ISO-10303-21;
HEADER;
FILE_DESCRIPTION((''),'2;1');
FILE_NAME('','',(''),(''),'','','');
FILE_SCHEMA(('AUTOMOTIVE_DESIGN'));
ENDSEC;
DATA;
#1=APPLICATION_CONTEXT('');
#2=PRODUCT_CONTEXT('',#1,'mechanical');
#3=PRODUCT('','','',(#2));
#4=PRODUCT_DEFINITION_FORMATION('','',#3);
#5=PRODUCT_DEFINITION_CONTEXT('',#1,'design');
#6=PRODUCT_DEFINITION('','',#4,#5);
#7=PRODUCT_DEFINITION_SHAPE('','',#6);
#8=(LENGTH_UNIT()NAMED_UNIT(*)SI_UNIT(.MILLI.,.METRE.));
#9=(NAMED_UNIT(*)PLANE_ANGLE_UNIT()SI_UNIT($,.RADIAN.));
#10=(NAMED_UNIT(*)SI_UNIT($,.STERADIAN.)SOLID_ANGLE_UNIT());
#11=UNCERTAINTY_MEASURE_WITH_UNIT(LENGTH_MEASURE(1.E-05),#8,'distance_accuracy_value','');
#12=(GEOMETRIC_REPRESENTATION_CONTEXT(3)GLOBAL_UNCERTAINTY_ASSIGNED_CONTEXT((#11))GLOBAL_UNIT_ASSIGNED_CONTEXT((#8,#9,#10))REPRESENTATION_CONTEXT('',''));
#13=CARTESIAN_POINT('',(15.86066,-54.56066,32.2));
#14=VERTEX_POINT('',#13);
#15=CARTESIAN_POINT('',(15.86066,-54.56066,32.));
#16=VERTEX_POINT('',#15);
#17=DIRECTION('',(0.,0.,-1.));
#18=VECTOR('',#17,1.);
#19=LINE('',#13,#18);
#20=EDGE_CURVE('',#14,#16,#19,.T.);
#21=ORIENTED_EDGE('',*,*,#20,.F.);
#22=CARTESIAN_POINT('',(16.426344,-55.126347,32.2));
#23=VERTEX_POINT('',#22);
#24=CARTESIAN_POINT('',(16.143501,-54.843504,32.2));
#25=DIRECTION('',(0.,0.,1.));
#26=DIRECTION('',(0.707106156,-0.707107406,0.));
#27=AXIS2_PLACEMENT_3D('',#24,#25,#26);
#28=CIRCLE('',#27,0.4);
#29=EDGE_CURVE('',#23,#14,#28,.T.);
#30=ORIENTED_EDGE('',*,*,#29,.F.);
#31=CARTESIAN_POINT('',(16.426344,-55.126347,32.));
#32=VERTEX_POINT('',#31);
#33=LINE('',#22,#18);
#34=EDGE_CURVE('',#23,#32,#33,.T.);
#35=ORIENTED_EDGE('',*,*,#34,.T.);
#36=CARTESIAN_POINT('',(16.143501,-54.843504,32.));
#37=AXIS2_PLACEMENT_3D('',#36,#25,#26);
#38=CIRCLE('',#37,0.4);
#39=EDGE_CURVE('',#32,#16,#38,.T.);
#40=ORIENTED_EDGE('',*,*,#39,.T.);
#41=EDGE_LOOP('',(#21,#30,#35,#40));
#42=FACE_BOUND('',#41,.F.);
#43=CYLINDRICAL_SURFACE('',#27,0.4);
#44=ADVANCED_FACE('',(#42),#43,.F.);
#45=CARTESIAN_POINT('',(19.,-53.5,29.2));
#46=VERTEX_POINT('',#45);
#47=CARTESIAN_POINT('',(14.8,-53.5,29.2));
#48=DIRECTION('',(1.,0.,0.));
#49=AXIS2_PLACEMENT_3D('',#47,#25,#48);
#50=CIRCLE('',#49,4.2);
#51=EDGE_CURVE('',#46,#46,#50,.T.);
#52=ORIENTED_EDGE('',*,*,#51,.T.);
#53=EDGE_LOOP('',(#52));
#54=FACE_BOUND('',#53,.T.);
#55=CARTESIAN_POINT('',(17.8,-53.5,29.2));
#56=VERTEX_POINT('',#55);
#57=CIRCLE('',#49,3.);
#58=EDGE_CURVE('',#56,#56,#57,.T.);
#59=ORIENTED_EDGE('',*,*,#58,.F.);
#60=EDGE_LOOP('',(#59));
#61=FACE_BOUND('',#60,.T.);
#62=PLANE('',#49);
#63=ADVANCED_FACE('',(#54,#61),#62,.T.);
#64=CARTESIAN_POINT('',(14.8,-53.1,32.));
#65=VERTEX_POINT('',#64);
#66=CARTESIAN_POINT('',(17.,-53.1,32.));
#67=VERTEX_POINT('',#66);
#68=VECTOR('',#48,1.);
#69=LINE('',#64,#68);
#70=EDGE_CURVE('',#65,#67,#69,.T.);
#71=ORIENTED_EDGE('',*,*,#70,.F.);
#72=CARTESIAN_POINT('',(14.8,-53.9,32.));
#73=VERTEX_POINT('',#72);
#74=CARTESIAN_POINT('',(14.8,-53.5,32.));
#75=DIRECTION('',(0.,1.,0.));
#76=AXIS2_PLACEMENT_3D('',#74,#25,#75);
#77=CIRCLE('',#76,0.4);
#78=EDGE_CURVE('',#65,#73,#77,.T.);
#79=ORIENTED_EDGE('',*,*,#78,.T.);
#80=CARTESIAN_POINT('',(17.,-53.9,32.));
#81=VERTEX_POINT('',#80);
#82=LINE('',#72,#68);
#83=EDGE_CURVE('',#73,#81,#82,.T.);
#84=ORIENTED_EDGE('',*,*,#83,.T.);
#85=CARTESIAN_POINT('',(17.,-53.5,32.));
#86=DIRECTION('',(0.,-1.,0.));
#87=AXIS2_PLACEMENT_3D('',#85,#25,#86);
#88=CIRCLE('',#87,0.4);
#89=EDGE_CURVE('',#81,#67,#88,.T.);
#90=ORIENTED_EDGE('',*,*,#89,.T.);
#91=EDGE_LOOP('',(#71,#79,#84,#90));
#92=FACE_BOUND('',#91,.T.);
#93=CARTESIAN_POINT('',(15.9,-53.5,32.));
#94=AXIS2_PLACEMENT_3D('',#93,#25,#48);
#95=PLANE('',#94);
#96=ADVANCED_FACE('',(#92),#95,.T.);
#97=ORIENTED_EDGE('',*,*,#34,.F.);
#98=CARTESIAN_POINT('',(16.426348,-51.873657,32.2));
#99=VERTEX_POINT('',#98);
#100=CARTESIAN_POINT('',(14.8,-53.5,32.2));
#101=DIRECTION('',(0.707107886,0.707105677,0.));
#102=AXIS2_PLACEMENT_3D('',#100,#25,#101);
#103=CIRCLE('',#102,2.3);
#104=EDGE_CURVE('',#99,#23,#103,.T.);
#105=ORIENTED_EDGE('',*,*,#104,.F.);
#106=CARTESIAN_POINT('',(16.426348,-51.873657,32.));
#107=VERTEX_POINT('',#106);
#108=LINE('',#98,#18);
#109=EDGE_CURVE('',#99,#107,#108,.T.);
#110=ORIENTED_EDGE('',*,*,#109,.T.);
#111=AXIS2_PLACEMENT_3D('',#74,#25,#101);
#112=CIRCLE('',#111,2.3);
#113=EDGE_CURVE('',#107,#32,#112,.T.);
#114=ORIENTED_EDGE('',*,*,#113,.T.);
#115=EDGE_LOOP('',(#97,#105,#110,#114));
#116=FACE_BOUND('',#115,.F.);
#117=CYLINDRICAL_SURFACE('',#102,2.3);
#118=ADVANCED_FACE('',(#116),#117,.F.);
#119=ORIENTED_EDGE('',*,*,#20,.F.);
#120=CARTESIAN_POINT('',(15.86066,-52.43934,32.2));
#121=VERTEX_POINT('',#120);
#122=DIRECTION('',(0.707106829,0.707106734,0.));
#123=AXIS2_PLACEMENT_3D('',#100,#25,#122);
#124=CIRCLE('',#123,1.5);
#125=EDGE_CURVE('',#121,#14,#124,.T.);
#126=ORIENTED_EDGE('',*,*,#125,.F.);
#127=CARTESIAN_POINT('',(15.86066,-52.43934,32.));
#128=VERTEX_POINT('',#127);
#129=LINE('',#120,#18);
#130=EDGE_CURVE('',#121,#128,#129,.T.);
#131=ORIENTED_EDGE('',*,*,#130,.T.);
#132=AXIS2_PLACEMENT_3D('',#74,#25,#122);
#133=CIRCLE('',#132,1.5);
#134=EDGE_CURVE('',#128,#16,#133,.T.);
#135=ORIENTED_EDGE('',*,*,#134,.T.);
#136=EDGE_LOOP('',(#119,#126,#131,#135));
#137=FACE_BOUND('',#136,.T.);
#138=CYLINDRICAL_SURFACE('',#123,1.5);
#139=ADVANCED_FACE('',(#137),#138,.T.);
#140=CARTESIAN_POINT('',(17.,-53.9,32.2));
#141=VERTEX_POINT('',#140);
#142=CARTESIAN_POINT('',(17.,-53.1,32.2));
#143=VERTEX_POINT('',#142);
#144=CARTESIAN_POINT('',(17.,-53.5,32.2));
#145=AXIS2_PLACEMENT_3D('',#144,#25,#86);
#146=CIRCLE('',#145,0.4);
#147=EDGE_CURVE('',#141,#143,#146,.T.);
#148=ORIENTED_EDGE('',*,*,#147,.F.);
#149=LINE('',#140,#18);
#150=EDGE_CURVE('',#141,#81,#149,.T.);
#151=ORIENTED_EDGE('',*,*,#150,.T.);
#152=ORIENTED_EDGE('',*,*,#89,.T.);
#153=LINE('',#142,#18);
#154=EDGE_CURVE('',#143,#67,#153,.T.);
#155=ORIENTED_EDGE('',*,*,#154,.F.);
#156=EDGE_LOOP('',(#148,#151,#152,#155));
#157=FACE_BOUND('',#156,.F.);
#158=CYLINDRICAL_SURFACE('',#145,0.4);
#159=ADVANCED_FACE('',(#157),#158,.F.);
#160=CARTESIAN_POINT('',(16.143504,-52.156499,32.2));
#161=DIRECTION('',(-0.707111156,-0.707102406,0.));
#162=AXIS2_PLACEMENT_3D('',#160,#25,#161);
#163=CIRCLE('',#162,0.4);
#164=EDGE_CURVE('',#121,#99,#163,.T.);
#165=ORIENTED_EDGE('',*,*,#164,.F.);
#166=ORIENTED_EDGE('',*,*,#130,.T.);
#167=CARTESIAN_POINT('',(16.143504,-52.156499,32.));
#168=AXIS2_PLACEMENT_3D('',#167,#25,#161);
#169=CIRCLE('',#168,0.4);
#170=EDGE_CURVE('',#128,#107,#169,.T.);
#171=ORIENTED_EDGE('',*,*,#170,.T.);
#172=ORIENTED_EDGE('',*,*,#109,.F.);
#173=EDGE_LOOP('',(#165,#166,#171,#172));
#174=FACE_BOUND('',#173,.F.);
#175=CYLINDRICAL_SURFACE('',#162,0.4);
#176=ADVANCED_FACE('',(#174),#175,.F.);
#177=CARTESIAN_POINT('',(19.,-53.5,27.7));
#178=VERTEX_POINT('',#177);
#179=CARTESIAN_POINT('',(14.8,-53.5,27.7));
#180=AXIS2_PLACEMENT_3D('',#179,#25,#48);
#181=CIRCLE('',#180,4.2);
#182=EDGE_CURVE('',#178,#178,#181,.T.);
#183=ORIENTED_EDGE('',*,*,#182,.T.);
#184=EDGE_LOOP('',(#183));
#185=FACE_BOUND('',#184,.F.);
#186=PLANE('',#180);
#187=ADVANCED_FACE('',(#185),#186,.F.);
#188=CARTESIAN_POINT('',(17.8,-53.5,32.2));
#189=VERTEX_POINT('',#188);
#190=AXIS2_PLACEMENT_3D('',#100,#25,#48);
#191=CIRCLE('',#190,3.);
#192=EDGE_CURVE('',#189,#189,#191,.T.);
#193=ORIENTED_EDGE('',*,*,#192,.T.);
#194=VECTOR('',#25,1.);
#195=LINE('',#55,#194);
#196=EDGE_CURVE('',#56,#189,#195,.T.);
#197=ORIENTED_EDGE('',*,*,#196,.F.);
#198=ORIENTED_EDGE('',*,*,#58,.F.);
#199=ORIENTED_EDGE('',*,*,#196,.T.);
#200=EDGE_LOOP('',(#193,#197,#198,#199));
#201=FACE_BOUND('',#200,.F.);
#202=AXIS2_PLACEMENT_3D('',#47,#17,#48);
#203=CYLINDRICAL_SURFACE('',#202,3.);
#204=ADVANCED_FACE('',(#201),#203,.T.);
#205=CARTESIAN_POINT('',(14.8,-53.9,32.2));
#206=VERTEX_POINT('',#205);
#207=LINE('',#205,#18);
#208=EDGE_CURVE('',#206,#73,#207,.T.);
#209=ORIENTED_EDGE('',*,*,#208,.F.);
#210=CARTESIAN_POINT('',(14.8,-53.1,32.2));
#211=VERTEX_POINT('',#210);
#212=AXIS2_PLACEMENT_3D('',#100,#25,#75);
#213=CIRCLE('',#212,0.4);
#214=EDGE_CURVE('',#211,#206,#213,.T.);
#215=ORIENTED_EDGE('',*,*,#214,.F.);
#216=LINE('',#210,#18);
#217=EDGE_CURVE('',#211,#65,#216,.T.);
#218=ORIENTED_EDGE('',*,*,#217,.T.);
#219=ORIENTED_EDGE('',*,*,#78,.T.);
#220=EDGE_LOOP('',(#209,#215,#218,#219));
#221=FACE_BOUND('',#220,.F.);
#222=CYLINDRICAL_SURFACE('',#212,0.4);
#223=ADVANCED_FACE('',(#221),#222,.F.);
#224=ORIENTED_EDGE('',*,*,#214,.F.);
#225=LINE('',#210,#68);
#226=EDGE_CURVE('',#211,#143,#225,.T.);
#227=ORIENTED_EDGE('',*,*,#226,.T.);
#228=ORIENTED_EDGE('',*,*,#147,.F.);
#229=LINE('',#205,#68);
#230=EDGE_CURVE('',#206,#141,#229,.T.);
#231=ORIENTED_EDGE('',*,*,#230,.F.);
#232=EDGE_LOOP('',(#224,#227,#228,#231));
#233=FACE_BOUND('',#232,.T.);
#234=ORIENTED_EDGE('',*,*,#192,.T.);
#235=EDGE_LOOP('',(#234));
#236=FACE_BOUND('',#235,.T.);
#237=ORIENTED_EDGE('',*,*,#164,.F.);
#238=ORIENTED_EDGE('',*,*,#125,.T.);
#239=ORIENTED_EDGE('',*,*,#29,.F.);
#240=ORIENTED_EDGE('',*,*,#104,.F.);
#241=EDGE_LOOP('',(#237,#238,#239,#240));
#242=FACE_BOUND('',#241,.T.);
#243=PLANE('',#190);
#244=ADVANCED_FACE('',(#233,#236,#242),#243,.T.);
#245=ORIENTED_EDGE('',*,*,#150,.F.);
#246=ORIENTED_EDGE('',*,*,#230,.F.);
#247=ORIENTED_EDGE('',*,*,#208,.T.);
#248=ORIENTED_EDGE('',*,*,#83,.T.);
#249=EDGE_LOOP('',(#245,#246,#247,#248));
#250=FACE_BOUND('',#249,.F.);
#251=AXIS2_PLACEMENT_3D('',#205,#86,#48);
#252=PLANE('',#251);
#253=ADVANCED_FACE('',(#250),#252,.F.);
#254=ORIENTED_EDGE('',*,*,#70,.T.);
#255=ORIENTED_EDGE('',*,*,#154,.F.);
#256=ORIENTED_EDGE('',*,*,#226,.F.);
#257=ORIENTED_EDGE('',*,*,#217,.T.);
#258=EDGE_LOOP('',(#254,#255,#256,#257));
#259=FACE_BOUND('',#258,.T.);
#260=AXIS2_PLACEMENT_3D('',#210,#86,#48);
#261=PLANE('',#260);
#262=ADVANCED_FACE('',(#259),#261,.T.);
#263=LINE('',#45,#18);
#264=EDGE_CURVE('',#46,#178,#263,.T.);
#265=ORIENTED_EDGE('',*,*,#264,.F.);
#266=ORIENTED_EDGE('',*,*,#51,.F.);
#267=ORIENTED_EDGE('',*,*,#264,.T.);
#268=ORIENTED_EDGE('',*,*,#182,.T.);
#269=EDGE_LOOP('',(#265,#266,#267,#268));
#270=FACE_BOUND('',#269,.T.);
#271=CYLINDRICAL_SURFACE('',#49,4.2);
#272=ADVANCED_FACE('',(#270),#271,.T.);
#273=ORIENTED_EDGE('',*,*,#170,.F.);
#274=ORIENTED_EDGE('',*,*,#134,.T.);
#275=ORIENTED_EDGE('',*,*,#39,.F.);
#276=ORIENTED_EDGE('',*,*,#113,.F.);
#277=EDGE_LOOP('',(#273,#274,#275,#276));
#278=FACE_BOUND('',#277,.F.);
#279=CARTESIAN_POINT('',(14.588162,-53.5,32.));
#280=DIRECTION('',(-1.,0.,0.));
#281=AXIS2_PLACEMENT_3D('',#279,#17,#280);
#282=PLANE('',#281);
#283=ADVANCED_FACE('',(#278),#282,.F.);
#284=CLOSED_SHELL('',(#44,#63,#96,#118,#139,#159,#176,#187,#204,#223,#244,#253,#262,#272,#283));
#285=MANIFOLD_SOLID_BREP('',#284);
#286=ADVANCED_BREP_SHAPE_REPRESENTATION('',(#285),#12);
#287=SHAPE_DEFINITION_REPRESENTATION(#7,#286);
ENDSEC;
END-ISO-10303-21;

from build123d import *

# Parameters (mm, degrees)
SKETCH_R     = 4.2
PAD006_DEPTH = 1.5
SKETCH012_R  = 3
PAD007_DEPTH = 3
POCKET_DEPTH = 0.2


with BuildPart() as part:
    # Sketch → Pad006 (new body)
    with BuildSketch(Plane.XY.offset(29.2)):
        with Locations((14.8, -53.5)):
            Circle(SKETCH_R)
    extrude(amount=-PAD006_DEPTH)

    # Sketch012 (on Face2 of Pad006) → Pad007 (join)
    with BuildSketch(Plane.XY.offset(29.2)):
        with Locations((14.8, -53.5)):
            Circle(SKETCH012_R)
    extrude(amount=PAD007_DEPTH)

    # Sketch013 (on Face5 of Pad007) → Pocket (cut)
    with BuildSketch(Plane.XY.offset(32.2)):
        with BuildLine():
            ThreePointArc((15.86066, -52.43934), (13.3, -53.5), (15.86066, -54.56066))
            ThreePointArc((16.426344, -55.126347), (16.426345, -54.560662), (15.86066, -54.56066))
            ThreePointArc((16.426348, -51.873657), (12.5, -53.499997), (16.426344, -55.126347))
            ThreePointArc((15.86066, -52.43934), (16.426346, -52.439343), (16.426348, -51.873657))
        make_face()
        with BuildLine():
            ThreePointArc((14.8, -53.1), (14.4, -53.5), (14.8, -53.9))
            Line((14.8, -53.9), (17, -53.9))
            ThreePointArc((17, -53.9), (17.4, -53.5), (17, -53.1))
            Line((14.8, -53.1), (17, -53.1))
        make_face()
    extrude(amount=-POCKET_DEPTH, mode=Mode.SUBTRACT)


solid = part.part
